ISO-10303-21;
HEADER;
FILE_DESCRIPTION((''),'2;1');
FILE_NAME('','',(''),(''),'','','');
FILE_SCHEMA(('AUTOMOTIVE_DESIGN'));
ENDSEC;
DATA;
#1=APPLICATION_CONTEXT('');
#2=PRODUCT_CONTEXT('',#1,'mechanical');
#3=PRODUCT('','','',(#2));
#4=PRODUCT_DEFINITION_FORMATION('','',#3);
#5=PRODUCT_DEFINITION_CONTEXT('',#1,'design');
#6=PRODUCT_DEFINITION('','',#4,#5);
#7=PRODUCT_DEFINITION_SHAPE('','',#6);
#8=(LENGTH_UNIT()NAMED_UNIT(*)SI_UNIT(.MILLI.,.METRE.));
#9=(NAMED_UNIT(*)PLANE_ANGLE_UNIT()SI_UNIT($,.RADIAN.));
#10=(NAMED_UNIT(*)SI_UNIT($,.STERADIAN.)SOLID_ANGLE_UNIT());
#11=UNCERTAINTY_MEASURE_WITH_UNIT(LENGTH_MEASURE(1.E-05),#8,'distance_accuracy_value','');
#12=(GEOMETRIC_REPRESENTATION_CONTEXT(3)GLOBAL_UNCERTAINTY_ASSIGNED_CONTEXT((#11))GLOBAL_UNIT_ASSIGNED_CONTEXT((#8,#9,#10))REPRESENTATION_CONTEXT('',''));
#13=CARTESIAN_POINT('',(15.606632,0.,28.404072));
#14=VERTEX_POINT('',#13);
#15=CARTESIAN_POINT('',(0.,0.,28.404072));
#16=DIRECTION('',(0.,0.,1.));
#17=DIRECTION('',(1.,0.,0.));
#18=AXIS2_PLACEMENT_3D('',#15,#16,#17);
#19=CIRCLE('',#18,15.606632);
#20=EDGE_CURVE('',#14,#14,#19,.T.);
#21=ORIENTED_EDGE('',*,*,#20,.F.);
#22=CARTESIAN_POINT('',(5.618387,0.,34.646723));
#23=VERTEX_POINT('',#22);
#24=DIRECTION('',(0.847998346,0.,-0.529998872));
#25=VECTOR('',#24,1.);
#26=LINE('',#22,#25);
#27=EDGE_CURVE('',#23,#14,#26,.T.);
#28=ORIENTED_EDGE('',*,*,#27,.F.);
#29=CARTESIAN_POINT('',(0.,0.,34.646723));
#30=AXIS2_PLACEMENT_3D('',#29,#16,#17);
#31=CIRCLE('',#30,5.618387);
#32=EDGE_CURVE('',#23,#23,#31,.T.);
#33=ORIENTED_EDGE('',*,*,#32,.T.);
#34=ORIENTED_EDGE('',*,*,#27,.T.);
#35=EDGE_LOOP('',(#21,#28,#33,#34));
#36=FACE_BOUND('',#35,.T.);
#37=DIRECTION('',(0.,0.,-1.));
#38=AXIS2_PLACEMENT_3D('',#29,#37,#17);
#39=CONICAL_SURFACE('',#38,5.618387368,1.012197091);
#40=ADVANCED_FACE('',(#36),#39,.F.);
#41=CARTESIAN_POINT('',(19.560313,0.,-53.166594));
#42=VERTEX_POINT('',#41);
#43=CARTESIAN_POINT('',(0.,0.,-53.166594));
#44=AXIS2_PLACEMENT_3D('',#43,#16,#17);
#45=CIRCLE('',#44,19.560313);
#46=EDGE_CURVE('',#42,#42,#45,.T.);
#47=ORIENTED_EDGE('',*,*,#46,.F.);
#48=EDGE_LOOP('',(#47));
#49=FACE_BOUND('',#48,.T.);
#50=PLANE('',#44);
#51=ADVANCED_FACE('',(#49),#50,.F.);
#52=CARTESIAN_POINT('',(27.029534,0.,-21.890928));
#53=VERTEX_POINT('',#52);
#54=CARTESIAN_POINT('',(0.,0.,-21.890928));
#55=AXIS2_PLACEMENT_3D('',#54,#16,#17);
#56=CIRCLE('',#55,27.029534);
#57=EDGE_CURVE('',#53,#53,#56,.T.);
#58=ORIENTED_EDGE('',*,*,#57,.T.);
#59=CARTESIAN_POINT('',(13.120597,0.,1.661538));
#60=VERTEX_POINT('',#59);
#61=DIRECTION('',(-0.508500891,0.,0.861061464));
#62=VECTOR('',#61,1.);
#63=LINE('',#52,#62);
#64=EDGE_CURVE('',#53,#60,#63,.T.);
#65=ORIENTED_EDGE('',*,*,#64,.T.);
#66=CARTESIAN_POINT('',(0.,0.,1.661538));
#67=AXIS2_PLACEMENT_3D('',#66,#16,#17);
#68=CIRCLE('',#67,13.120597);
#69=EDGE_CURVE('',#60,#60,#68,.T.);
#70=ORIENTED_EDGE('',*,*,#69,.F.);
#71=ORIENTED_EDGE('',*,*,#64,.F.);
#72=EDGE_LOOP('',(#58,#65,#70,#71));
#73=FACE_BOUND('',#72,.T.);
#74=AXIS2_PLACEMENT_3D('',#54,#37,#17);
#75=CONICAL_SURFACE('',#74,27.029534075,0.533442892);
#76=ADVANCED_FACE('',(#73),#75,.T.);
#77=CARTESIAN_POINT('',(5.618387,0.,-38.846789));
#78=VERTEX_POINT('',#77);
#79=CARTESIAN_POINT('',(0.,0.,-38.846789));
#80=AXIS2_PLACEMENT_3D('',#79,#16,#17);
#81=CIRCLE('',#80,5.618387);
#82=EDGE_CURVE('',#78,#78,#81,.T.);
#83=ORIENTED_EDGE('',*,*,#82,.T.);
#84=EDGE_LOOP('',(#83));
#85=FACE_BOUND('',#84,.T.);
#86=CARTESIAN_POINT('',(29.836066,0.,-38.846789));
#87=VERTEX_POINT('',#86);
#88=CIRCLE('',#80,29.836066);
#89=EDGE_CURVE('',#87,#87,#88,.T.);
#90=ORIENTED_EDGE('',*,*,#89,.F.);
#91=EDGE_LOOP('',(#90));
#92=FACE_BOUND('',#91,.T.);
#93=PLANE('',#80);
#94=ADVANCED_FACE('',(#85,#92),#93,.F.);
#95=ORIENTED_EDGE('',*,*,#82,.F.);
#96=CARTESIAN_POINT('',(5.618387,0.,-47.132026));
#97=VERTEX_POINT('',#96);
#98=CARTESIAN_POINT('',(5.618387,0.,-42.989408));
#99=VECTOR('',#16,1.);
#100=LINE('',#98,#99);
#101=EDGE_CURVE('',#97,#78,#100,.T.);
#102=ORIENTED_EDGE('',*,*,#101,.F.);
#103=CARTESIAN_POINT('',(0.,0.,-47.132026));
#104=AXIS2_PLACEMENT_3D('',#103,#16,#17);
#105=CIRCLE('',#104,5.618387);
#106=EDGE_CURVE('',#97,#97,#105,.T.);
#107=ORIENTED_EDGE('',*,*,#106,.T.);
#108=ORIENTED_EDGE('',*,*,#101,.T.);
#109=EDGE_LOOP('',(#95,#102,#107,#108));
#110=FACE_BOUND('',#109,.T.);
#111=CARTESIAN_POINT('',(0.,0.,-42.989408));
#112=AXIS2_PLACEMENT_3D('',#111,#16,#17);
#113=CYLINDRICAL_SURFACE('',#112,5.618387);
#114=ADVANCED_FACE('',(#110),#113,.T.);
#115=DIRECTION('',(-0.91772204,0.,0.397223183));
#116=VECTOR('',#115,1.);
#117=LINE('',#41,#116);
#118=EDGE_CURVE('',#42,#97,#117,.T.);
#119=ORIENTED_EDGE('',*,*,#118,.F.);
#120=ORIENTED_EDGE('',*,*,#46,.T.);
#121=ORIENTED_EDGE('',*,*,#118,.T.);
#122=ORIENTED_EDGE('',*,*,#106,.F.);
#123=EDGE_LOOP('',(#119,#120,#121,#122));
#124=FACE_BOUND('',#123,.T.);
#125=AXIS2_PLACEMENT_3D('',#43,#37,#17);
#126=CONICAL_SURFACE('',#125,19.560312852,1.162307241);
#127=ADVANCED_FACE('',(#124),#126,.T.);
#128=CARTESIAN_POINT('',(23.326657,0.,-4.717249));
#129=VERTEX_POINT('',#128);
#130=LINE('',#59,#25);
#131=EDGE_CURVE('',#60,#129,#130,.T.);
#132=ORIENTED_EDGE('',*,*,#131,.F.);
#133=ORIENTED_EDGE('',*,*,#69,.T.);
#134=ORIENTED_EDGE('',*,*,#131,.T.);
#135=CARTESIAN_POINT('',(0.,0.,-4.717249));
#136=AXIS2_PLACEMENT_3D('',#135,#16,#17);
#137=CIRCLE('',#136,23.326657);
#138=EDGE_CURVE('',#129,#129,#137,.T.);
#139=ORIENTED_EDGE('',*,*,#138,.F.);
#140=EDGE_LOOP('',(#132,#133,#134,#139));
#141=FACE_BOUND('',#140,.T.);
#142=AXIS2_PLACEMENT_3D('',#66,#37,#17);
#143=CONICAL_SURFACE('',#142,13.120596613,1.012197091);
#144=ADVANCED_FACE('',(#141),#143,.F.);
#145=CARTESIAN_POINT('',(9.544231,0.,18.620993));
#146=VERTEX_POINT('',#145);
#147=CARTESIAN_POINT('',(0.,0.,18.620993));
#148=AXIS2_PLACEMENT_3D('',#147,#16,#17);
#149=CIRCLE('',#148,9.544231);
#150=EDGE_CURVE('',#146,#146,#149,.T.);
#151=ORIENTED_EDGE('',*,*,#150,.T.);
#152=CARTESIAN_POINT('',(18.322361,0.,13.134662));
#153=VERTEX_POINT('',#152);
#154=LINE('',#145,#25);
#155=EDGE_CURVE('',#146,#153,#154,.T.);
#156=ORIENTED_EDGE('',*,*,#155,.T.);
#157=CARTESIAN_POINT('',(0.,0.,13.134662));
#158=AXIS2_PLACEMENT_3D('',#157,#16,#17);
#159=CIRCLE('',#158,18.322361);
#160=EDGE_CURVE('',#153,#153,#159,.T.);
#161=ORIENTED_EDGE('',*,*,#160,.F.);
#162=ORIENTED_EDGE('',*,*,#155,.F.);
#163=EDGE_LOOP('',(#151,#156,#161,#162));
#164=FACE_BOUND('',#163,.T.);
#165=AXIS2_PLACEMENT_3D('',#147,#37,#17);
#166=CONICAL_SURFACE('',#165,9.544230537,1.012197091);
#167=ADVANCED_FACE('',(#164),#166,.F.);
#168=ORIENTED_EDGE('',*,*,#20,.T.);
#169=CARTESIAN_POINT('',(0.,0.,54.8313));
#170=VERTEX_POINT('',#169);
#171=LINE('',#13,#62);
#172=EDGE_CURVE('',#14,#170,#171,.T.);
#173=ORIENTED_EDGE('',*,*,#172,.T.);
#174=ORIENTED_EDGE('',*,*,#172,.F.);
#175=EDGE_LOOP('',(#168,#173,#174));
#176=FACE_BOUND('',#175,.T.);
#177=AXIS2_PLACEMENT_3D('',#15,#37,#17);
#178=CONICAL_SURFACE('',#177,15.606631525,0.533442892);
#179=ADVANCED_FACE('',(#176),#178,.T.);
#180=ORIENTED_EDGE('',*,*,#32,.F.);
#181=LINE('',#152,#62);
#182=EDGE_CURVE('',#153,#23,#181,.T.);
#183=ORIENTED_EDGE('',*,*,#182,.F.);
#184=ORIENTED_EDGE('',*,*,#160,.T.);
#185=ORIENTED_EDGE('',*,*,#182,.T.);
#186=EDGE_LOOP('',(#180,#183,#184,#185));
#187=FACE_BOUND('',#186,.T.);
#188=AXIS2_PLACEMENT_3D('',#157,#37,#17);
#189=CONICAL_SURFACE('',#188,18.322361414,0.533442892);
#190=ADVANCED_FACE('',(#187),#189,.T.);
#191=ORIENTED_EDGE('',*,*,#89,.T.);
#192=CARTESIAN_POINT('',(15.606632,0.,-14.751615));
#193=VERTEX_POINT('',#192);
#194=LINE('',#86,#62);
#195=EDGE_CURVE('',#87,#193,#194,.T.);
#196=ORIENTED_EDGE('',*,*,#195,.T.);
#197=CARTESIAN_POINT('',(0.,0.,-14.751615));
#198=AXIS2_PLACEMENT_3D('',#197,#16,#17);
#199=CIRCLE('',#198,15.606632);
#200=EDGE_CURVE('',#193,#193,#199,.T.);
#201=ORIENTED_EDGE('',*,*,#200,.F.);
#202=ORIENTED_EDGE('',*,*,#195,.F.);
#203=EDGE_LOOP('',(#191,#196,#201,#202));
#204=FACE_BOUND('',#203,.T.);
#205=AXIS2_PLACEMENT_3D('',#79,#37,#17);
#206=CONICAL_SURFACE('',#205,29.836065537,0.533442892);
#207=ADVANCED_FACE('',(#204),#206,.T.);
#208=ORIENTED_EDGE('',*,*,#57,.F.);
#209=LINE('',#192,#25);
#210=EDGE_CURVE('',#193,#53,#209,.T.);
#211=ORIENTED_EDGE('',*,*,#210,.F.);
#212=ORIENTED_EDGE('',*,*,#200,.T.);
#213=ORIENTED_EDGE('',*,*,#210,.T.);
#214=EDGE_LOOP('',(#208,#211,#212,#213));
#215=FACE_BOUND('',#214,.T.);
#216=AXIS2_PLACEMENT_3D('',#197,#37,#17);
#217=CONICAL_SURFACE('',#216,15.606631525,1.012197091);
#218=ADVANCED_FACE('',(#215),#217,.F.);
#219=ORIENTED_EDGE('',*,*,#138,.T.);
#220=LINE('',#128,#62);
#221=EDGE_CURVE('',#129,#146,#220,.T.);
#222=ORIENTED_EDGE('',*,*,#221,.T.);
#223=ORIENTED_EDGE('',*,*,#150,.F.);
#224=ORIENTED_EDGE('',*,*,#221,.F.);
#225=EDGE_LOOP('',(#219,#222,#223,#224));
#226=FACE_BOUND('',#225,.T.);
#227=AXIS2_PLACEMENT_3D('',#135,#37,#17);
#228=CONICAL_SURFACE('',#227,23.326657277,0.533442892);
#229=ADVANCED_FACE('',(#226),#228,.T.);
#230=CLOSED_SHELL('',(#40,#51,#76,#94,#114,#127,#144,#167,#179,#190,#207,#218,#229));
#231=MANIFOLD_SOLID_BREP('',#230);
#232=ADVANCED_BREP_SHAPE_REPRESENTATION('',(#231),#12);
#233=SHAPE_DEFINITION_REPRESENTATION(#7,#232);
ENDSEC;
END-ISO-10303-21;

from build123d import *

# Parameters (mm, degrees)
F0_W = 5.6183873676
F0_H = 8.2852373922


with BuildPart() as f1:
    # F0 (on Front) → F1 (revolve)
    with BuildSketch(Plane.XZ):
        Polygon((15.6066315249, 28.4040719271), (0, 54.8312999308), (0, -38.8467890119), (5.6183873676, -38.8467890119), (29.8360655374, -38.8467890119), (15.6066315249, -14.7516153408), (27.0295340755, -21.8909281701), (13.1205966132, 1.6615380376), (23.3266572773, -4.7172487474), (9.5442305374, 18.6209926483), (18.3223614144, 13.1346618221), (5.6183873676, 34.6467234194), align=None)
        with Locations((2.8091936838, -42.989407708)):
            Rectangle(F0_W, F0_H)
        Polygon((5.6183873676, -47.1320264041), (0, -47.1320264041), (0, -53.1665943563), (19.5603128523, -53.1665943563), align=None)
    revolve(axis=Axis((0, 0, 7.9922554594), (0, 0, 1)))


solid = f1.part
